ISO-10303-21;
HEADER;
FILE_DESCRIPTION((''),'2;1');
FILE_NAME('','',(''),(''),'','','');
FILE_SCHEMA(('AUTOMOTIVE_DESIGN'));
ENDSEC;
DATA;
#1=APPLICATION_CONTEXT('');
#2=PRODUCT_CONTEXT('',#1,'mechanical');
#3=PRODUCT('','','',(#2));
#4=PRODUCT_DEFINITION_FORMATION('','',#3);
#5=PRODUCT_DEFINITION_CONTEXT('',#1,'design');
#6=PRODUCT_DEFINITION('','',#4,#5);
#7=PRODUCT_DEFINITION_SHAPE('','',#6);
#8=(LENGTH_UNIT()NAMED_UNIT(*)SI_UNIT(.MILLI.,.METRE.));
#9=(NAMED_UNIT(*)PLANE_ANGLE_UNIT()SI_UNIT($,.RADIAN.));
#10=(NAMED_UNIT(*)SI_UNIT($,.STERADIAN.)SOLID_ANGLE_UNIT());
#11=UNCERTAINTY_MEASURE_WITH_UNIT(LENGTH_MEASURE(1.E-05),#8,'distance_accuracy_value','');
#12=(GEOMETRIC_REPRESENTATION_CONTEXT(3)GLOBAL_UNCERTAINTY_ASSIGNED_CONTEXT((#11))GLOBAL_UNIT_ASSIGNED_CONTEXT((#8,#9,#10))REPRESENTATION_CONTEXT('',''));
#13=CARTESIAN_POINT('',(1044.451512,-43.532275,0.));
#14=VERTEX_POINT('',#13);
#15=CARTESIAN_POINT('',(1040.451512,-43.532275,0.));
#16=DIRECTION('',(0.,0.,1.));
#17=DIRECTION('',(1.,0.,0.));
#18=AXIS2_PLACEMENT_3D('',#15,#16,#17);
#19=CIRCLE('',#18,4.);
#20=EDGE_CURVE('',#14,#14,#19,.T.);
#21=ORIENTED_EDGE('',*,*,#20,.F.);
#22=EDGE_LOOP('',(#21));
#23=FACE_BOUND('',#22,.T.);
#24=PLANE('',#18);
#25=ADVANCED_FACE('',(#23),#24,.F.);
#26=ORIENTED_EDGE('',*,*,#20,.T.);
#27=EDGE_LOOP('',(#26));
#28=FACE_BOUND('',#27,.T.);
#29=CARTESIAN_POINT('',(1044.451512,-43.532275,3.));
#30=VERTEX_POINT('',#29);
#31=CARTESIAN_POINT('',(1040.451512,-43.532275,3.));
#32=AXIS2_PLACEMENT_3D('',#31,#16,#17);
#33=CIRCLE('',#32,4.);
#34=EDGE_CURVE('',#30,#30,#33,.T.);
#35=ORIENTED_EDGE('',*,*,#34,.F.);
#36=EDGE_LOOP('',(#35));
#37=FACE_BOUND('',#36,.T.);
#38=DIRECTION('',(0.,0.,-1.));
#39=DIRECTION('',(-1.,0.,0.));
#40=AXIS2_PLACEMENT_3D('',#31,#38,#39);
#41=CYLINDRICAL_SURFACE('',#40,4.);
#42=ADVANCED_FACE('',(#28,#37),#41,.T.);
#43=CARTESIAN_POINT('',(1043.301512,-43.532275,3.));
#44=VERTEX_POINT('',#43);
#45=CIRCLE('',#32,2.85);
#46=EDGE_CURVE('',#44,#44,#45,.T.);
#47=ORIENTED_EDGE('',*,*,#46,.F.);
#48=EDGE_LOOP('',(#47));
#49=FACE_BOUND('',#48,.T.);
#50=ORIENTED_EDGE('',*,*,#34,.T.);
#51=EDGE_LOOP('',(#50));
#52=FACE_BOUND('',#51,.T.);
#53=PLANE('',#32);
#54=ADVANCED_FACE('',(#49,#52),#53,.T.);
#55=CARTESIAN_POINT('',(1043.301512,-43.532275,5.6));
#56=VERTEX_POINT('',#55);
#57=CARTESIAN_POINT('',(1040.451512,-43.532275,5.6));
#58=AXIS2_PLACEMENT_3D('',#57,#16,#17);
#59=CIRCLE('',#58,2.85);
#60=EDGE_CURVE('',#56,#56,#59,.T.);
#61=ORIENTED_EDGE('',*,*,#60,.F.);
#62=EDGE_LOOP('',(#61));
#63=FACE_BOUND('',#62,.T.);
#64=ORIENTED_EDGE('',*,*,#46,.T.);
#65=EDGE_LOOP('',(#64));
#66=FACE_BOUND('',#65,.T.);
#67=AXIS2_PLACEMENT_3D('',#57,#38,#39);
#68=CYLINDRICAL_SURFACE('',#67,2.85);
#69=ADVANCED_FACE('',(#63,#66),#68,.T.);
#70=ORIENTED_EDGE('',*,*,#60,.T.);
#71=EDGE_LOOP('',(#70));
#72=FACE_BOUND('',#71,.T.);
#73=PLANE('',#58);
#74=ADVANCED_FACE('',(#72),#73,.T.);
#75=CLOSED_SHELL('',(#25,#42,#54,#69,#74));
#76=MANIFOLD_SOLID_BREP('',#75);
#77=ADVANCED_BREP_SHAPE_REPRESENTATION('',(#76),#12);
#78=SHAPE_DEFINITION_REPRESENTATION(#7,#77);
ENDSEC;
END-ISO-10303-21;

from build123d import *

# Parameters (mm, degrees)
SZKIC1_R                    = 4
DODANIE_WYCI_GNI_CIE1_DEPTH = 3
SZKIC2_R                    = 2.85
DODANIE_WYCI_GNI_CIE2_DEPTH = 2.6


with BuildPart() as part:
    # Szkic1 → Dodanie-wyciągnięcie1 (new body)
    with BuildSketch(Plane.XY):
        with Locations((1040.451511863, -43.532275067)):
            Circle(SZKIC1_R)
    extrude(amount=DODANIE_WYCI_GNI_CIE1_DEPTH)

    # Szkic2 → Dodanie-wyciągnięcie2 (add)
    with BuildSketch(Plane.XY.offset(3)):
        with Locations((1040.451511863, -43.532275067)):
            Circle(SZKIC2_R)
    extrude(amount=DODANIE_WYCI_GNI_CIE2_DEPTH)


solid = part.part
